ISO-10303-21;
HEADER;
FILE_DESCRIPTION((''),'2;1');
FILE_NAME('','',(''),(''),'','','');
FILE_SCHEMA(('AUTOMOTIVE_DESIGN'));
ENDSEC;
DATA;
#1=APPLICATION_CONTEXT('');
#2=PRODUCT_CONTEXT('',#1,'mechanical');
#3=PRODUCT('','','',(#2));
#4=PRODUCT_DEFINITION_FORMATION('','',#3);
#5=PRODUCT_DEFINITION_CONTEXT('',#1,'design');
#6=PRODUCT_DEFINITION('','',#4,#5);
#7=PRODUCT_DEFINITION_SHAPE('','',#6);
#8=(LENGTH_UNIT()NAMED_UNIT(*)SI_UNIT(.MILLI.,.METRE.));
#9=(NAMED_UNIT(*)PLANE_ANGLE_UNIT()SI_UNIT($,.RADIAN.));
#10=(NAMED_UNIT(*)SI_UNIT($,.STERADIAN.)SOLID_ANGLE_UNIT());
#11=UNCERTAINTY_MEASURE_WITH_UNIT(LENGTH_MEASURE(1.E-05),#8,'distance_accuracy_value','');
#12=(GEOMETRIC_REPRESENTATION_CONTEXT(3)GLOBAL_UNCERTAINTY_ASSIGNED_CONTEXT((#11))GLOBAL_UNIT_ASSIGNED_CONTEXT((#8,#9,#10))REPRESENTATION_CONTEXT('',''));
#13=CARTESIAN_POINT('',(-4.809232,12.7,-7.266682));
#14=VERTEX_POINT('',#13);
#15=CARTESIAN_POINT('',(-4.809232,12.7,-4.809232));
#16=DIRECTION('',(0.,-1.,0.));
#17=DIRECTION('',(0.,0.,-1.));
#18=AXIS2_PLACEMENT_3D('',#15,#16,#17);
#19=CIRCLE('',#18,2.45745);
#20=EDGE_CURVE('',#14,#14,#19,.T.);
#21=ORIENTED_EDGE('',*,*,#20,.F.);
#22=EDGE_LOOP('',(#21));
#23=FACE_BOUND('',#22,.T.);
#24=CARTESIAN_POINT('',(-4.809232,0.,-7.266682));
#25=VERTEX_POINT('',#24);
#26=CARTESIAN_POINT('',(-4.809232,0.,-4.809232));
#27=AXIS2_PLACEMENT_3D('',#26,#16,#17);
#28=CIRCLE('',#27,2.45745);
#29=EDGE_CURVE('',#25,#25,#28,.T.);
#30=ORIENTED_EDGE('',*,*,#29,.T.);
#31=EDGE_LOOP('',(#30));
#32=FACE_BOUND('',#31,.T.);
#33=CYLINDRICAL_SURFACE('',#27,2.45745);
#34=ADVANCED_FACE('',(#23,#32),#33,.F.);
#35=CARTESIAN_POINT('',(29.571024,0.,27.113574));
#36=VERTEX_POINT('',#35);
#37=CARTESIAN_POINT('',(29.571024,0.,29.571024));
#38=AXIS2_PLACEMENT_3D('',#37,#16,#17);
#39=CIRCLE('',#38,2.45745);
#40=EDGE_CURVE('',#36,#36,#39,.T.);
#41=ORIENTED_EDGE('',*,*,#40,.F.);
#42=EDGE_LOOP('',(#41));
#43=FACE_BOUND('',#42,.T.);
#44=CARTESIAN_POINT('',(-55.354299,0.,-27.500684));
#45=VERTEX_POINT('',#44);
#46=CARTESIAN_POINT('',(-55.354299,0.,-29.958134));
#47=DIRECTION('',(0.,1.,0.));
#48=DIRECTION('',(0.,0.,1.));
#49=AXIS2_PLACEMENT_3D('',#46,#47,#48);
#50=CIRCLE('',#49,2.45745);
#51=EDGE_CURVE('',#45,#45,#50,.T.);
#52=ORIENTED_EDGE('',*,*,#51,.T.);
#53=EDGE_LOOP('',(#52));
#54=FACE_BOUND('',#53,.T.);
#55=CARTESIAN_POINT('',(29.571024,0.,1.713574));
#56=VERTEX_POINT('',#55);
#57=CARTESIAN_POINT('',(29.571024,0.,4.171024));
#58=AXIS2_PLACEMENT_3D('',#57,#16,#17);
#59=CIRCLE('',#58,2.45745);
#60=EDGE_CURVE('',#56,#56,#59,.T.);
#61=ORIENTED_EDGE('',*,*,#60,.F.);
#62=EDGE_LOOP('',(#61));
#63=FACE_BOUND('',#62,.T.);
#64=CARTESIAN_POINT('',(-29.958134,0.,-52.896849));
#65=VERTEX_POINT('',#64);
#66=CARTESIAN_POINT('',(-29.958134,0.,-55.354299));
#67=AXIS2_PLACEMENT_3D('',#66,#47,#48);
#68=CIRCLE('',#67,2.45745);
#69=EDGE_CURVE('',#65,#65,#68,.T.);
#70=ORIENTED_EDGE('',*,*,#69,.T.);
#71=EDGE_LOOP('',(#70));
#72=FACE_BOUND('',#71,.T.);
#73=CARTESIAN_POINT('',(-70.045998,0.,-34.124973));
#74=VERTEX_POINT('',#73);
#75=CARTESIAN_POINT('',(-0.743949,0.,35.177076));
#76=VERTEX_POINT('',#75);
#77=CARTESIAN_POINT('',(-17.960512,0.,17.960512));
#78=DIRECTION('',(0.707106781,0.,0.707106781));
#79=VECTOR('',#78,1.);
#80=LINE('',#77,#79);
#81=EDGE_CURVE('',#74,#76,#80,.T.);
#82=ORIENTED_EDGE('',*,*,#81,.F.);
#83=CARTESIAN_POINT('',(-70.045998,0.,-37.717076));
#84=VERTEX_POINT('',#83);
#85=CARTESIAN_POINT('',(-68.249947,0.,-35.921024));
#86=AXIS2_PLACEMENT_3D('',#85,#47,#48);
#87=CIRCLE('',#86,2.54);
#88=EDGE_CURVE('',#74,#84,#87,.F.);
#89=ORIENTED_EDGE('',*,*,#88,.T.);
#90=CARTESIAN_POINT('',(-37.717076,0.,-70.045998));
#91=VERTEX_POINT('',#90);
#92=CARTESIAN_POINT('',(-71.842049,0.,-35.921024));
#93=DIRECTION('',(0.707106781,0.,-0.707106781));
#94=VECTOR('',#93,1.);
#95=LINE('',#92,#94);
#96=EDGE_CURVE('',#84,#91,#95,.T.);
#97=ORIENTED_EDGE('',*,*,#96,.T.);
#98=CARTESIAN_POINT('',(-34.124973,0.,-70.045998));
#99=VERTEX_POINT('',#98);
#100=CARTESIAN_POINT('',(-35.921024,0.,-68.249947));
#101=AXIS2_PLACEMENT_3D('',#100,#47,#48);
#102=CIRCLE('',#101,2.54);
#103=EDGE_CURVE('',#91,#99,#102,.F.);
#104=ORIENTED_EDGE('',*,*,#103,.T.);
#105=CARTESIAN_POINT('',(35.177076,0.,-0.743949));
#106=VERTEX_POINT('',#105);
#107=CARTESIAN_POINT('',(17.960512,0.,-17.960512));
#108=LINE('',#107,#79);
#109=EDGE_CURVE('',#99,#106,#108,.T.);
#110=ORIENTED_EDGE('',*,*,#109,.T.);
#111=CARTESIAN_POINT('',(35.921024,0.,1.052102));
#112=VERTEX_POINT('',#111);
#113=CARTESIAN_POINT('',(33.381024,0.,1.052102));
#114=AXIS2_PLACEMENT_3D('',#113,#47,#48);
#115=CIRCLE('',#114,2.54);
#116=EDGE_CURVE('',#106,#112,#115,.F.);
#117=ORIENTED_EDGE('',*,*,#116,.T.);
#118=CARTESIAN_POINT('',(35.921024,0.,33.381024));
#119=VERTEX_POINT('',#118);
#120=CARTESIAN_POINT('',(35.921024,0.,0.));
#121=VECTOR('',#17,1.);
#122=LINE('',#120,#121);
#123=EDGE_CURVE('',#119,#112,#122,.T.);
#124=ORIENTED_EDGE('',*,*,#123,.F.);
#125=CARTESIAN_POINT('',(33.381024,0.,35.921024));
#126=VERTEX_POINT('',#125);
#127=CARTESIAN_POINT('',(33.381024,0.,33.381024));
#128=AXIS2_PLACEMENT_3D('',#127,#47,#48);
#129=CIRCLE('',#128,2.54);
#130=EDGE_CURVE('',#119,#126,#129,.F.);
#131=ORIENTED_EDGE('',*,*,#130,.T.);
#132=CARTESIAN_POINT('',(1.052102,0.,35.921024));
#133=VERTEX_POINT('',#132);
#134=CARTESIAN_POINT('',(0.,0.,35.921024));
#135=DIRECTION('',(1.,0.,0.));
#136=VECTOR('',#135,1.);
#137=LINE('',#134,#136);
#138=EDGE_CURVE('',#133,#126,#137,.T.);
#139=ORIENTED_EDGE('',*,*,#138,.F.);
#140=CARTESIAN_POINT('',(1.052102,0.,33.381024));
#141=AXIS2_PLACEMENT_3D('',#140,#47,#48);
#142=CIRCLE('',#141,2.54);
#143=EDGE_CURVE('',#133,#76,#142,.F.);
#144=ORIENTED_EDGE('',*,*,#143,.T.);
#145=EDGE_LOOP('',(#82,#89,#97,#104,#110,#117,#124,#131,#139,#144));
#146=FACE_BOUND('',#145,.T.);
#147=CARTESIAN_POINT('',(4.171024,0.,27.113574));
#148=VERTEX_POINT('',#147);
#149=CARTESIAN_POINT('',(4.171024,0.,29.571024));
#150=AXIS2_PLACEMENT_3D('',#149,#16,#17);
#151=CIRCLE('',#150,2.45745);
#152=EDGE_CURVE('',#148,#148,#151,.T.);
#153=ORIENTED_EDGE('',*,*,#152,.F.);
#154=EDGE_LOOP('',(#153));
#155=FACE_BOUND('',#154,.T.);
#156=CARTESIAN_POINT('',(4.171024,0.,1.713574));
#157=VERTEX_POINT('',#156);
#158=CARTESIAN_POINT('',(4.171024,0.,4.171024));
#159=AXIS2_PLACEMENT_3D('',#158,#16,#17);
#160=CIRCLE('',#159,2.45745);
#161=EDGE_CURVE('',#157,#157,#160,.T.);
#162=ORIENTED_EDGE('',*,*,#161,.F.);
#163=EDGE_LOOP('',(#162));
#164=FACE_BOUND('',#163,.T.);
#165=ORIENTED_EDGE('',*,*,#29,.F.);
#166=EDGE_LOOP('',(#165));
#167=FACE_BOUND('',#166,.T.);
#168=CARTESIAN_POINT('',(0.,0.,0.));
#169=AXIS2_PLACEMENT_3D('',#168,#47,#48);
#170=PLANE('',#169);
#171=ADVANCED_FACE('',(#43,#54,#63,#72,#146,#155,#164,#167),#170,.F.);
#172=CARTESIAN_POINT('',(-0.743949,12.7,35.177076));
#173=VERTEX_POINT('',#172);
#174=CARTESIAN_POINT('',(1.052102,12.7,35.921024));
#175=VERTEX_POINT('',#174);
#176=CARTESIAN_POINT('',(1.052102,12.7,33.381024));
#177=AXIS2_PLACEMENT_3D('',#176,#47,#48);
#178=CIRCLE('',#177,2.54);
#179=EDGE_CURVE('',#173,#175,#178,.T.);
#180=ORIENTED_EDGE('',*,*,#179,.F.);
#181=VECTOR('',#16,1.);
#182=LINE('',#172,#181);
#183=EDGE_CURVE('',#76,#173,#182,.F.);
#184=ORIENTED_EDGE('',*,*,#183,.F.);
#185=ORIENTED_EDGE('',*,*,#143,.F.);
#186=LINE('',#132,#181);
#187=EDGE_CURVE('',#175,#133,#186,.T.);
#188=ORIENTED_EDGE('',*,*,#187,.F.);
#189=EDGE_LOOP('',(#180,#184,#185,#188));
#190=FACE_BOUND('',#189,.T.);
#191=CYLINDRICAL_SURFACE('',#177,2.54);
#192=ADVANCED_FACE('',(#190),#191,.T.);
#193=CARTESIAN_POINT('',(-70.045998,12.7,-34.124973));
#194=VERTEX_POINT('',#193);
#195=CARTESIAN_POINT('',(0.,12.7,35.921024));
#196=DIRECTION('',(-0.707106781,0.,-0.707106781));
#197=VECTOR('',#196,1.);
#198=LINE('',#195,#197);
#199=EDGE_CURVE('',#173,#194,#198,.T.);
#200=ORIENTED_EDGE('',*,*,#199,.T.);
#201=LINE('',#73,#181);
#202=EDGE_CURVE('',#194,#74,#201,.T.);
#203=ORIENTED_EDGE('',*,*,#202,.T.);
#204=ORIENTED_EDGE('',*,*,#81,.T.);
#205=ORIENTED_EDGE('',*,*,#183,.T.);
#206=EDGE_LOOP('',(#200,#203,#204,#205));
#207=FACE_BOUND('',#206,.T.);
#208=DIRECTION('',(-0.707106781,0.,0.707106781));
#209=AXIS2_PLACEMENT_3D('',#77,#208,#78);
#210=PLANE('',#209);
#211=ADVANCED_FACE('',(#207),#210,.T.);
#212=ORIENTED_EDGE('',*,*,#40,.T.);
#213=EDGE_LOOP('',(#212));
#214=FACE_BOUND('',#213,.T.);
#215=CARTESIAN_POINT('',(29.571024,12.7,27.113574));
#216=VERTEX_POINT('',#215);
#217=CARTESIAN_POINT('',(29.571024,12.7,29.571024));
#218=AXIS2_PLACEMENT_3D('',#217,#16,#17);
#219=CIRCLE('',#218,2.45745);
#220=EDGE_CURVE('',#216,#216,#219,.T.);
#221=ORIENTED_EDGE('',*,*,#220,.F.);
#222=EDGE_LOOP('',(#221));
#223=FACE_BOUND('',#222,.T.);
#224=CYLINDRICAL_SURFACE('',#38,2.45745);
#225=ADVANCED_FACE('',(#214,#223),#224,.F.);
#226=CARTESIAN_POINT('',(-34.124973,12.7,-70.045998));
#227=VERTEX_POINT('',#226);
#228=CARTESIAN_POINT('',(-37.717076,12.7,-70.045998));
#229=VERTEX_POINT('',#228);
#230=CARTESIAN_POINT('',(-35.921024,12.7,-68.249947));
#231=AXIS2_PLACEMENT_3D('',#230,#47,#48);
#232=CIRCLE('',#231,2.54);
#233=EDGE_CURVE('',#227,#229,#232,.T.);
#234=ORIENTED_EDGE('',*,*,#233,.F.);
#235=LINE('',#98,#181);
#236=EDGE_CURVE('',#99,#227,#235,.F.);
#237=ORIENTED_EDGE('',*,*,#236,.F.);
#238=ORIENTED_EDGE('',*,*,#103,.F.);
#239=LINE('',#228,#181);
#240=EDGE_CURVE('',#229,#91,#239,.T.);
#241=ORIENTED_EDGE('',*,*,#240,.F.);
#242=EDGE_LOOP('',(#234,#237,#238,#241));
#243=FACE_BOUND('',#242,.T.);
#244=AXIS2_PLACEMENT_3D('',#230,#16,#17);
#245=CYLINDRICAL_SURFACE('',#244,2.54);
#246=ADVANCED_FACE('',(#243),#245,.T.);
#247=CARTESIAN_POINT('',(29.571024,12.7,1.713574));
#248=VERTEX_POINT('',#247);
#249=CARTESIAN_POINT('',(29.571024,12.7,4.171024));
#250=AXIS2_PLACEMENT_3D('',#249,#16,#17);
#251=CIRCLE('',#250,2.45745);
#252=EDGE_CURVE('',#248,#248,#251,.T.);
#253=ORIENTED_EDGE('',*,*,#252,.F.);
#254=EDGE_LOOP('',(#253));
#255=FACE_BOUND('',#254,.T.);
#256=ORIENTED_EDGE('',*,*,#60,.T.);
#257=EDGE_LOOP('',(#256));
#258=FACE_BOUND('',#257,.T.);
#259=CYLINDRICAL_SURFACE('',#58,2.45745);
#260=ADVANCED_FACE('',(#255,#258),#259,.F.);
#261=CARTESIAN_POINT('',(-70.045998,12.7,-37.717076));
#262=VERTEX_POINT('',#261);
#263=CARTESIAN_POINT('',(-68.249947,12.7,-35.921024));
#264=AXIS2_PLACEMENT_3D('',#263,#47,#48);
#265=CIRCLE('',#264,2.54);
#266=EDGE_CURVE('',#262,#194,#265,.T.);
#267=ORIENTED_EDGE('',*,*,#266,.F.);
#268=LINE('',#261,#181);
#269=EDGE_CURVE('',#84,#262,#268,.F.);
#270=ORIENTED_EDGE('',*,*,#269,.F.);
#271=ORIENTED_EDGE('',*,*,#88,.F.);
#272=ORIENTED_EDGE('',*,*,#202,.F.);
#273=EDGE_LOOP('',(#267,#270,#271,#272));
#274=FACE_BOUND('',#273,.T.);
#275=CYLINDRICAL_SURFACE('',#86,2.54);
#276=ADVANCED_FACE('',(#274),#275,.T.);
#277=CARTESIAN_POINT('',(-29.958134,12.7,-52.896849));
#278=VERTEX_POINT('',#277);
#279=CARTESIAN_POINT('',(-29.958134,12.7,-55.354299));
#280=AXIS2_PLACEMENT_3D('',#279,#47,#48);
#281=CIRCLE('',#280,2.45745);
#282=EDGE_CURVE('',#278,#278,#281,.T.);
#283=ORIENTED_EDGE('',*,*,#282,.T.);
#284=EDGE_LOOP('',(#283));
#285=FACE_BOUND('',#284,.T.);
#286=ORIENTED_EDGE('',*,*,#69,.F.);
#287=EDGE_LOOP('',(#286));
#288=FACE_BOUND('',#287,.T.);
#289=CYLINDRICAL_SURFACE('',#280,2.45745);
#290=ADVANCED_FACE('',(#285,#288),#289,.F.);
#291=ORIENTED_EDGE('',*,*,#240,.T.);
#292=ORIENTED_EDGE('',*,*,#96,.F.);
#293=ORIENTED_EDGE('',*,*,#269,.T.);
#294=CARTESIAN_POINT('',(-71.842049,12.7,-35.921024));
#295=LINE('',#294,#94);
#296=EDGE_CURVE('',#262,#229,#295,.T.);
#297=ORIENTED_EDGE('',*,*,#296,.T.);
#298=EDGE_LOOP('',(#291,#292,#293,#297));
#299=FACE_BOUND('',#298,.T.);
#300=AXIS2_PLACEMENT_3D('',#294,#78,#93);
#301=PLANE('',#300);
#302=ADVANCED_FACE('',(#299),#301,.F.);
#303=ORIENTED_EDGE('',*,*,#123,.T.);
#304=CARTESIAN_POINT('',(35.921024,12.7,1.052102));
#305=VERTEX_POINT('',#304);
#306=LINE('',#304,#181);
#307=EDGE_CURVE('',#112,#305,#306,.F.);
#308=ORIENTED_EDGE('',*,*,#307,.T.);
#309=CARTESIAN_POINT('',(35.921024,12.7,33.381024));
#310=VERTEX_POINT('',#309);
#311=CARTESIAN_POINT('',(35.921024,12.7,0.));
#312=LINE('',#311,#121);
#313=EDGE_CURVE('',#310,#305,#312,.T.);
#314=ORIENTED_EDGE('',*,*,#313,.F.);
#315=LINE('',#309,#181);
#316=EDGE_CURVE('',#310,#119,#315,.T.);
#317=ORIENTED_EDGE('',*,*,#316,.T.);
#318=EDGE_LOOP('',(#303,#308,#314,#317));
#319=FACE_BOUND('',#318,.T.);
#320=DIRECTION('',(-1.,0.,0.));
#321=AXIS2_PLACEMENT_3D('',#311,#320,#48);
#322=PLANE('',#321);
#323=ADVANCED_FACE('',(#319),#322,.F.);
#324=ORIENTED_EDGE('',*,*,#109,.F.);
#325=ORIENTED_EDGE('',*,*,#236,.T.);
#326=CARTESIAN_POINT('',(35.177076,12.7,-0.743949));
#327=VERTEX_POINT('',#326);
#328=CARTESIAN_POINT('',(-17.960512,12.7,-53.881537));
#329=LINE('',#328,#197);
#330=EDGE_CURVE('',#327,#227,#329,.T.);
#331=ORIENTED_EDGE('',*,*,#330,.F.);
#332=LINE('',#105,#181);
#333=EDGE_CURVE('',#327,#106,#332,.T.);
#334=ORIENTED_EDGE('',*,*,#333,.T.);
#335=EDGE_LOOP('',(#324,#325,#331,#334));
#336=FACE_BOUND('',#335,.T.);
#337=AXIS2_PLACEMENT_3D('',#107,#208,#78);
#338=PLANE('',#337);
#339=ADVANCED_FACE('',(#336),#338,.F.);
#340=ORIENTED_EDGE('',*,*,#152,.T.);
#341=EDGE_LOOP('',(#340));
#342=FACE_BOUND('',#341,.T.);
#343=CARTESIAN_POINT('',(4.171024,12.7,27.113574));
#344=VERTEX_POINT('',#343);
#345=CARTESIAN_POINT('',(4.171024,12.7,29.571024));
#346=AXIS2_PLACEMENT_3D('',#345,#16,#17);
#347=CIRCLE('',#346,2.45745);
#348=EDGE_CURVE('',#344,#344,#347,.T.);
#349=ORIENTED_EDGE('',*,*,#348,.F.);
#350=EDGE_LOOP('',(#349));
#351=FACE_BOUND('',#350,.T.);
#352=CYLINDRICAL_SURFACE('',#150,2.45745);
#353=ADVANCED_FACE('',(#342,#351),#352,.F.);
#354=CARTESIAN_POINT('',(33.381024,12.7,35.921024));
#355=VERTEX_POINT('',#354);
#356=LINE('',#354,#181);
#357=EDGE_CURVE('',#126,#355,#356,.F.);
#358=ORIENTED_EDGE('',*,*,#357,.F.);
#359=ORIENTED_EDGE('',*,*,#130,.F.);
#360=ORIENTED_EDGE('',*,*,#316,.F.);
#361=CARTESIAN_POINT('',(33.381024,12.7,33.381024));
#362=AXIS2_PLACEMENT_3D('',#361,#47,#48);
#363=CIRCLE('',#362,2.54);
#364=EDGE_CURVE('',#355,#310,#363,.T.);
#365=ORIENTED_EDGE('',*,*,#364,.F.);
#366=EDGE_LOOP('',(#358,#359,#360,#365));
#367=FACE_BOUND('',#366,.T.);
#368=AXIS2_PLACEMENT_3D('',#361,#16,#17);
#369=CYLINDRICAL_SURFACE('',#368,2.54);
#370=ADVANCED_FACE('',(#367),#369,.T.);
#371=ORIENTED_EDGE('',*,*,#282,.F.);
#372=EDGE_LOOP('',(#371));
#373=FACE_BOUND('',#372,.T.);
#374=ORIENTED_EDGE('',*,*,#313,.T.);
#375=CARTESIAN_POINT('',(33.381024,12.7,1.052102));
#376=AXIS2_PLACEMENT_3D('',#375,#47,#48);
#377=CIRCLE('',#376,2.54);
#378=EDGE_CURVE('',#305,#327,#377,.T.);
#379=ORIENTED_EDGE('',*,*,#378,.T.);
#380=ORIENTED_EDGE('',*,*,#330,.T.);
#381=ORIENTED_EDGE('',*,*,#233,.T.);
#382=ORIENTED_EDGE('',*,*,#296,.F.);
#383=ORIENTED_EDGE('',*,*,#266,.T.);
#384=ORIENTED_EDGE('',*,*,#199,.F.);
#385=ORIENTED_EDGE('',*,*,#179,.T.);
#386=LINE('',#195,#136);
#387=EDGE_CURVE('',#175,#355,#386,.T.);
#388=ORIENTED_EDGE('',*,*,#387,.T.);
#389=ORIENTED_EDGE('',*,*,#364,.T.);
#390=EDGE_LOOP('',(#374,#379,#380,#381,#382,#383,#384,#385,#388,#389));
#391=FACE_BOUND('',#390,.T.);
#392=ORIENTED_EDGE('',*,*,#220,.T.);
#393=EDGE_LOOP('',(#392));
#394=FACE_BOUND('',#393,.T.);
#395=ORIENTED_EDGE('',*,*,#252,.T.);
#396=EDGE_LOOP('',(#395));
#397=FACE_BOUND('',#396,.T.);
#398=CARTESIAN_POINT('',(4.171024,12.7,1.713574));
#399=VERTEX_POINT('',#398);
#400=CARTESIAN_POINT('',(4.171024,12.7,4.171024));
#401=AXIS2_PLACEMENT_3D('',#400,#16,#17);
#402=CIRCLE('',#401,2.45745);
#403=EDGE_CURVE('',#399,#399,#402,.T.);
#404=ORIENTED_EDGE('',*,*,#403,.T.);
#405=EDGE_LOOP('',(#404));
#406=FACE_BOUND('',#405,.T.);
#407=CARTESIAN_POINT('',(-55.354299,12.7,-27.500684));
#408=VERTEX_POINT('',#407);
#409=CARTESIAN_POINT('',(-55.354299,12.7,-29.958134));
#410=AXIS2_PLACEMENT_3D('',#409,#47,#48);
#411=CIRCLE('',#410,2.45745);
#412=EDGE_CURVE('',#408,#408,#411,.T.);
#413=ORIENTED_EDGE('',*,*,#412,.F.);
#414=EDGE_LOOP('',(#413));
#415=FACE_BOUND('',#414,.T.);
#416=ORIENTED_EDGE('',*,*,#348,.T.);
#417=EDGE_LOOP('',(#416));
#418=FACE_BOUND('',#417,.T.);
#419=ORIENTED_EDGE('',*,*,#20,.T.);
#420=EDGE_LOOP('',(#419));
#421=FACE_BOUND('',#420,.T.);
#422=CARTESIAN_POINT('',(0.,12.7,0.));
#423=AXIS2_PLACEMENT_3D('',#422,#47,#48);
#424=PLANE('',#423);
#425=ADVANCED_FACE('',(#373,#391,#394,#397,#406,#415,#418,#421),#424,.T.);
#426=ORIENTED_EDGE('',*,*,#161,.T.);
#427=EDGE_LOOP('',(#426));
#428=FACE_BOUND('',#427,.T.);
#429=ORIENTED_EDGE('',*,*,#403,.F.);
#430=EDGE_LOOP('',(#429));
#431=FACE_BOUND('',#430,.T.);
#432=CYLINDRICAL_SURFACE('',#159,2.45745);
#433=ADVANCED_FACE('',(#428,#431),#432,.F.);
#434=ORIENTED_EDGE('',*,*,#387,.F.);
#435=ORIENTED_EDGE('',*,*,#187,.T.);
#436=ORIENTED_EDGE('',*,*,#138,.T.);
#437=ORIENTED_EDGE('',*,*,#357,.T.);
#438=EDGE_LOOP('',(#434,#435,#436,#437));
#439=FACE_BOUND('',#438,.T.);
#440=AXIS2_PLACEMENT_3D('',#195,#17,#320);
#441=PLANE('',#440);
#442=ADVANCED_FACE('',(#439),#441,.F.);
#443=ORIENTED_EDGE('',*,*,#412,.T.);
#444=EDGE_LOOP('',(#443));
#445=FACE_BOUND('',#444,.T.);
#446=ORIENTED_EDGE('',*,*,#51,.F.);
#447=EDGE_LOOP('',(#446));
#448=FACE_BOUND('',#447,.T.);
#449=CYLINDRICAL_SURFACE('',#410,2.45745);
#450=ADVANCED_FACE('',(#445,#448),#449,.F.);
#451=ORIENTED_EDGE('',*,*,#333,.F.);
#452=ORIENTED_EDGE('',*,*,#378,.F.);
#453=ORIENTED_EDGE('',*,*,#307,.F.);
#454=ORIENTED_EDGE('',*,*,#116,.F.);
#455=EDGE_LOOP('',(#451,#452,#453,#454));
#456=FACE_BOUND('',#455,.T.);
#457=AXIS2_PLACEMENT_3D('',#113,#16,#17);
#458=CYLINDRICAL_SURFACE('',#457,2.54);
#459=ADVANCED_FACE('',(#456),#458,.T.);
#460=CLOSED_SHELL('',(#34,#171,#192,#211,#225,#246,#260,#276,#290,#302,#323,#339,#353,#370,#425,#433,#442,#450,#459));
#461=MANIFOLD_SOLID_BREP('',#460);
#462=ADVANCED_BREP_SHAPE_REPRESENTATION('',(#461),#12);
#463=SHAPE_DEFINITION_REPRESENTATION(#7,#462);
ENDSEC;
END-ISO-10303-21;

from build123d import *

# Parameters (mm, degrees)
SKETCH3_W             = 35.921024484
SKETCH3_H             = 35.921024484
BOSS_EXTRUDE2_DEPTH   = 12.7
BOSS_EXTRUDE3_DEPTH   = 25.4
F_8_CLEARANCE_HOLE1_D = 4.9149
F_8_CLEARANCE_HOLE2_D = 4.9149
FILLET1_R             = 2.54


with BuildPart() as part:
    # Sketch3 → Boss-Extrude2 (new body)
    with BuildSketch(Plane(origin=(0, 0, 0), x_dir=(1, 0, 0), z_dir=(0, 1, 0))):
        with Locations((17.960512242, -17.960512242)):
            Rectangle(SKETCH3_W, SKETCH3_H)
    extrude(amount=BOSS_EXTRUDE2_DEPTH)

    # Sketch4 → Boss-Extrude3 (add, symmetric)
    with BuildSketch(Plane(origin=(0, 0, 0), x_dir=(0.7071067811865476, 0, 0.7071067811865475), z_dir=(-0.7071067811865475, 0, 0.7071067811865476))):
        Polygon((25.4, 12.7), (-50.8, 12.7), (-76.2, 12.7), (-76.2, 0), (0, 0), (25.4, 0), align=None)
    extrude(amount=BOSS_EXTRUDE3_DEPTH, both=True)

    # #8 Clearance Hole1 (through all)
    with Locations(Plane(origin=(0, 0, 0), x_dir=(-1, 0, 0), z_dir=(0, -1, 0))):
        with Locations((-29.571024484, -29.571024484), (-4.171024484, -4.171024484), (-29.571024484, -4.171024484), (-4.171024484, -29.571024484), (4.809231637, 4.809231637)):
            Hole(F_8_CLEARANCE_HOLE1_D / 2)

    # #8 Clearance Hole2 (through all)
    with Locations(Plane(origin=(0, 12.7, 0), x_dir=(1, 0, 0), z_dir=(0, 1, 0))):
        with Locations((-55.35429873, 29.95813442), (-29.95813442, 55.35429873)):
            Hole(F_8_CLEARANCE_HOLE2_D / 2)

    # Fillet1
    fillet1_edges = [part.edges().sort_by_distance(p)[0] for p in [
        (-35.921024484, 6.35, -71.842048969),
        (-71.842048969, 6.35, -35.921024484),
        (35.921024484, 6.35, 0),
        (35.921024484, 6.35, 35.921024484),
        (0, 6.35, 35.921024484),
    ]]
    fillet(fillet1_edges, radius=FILLET1_R)


solid = part.part
